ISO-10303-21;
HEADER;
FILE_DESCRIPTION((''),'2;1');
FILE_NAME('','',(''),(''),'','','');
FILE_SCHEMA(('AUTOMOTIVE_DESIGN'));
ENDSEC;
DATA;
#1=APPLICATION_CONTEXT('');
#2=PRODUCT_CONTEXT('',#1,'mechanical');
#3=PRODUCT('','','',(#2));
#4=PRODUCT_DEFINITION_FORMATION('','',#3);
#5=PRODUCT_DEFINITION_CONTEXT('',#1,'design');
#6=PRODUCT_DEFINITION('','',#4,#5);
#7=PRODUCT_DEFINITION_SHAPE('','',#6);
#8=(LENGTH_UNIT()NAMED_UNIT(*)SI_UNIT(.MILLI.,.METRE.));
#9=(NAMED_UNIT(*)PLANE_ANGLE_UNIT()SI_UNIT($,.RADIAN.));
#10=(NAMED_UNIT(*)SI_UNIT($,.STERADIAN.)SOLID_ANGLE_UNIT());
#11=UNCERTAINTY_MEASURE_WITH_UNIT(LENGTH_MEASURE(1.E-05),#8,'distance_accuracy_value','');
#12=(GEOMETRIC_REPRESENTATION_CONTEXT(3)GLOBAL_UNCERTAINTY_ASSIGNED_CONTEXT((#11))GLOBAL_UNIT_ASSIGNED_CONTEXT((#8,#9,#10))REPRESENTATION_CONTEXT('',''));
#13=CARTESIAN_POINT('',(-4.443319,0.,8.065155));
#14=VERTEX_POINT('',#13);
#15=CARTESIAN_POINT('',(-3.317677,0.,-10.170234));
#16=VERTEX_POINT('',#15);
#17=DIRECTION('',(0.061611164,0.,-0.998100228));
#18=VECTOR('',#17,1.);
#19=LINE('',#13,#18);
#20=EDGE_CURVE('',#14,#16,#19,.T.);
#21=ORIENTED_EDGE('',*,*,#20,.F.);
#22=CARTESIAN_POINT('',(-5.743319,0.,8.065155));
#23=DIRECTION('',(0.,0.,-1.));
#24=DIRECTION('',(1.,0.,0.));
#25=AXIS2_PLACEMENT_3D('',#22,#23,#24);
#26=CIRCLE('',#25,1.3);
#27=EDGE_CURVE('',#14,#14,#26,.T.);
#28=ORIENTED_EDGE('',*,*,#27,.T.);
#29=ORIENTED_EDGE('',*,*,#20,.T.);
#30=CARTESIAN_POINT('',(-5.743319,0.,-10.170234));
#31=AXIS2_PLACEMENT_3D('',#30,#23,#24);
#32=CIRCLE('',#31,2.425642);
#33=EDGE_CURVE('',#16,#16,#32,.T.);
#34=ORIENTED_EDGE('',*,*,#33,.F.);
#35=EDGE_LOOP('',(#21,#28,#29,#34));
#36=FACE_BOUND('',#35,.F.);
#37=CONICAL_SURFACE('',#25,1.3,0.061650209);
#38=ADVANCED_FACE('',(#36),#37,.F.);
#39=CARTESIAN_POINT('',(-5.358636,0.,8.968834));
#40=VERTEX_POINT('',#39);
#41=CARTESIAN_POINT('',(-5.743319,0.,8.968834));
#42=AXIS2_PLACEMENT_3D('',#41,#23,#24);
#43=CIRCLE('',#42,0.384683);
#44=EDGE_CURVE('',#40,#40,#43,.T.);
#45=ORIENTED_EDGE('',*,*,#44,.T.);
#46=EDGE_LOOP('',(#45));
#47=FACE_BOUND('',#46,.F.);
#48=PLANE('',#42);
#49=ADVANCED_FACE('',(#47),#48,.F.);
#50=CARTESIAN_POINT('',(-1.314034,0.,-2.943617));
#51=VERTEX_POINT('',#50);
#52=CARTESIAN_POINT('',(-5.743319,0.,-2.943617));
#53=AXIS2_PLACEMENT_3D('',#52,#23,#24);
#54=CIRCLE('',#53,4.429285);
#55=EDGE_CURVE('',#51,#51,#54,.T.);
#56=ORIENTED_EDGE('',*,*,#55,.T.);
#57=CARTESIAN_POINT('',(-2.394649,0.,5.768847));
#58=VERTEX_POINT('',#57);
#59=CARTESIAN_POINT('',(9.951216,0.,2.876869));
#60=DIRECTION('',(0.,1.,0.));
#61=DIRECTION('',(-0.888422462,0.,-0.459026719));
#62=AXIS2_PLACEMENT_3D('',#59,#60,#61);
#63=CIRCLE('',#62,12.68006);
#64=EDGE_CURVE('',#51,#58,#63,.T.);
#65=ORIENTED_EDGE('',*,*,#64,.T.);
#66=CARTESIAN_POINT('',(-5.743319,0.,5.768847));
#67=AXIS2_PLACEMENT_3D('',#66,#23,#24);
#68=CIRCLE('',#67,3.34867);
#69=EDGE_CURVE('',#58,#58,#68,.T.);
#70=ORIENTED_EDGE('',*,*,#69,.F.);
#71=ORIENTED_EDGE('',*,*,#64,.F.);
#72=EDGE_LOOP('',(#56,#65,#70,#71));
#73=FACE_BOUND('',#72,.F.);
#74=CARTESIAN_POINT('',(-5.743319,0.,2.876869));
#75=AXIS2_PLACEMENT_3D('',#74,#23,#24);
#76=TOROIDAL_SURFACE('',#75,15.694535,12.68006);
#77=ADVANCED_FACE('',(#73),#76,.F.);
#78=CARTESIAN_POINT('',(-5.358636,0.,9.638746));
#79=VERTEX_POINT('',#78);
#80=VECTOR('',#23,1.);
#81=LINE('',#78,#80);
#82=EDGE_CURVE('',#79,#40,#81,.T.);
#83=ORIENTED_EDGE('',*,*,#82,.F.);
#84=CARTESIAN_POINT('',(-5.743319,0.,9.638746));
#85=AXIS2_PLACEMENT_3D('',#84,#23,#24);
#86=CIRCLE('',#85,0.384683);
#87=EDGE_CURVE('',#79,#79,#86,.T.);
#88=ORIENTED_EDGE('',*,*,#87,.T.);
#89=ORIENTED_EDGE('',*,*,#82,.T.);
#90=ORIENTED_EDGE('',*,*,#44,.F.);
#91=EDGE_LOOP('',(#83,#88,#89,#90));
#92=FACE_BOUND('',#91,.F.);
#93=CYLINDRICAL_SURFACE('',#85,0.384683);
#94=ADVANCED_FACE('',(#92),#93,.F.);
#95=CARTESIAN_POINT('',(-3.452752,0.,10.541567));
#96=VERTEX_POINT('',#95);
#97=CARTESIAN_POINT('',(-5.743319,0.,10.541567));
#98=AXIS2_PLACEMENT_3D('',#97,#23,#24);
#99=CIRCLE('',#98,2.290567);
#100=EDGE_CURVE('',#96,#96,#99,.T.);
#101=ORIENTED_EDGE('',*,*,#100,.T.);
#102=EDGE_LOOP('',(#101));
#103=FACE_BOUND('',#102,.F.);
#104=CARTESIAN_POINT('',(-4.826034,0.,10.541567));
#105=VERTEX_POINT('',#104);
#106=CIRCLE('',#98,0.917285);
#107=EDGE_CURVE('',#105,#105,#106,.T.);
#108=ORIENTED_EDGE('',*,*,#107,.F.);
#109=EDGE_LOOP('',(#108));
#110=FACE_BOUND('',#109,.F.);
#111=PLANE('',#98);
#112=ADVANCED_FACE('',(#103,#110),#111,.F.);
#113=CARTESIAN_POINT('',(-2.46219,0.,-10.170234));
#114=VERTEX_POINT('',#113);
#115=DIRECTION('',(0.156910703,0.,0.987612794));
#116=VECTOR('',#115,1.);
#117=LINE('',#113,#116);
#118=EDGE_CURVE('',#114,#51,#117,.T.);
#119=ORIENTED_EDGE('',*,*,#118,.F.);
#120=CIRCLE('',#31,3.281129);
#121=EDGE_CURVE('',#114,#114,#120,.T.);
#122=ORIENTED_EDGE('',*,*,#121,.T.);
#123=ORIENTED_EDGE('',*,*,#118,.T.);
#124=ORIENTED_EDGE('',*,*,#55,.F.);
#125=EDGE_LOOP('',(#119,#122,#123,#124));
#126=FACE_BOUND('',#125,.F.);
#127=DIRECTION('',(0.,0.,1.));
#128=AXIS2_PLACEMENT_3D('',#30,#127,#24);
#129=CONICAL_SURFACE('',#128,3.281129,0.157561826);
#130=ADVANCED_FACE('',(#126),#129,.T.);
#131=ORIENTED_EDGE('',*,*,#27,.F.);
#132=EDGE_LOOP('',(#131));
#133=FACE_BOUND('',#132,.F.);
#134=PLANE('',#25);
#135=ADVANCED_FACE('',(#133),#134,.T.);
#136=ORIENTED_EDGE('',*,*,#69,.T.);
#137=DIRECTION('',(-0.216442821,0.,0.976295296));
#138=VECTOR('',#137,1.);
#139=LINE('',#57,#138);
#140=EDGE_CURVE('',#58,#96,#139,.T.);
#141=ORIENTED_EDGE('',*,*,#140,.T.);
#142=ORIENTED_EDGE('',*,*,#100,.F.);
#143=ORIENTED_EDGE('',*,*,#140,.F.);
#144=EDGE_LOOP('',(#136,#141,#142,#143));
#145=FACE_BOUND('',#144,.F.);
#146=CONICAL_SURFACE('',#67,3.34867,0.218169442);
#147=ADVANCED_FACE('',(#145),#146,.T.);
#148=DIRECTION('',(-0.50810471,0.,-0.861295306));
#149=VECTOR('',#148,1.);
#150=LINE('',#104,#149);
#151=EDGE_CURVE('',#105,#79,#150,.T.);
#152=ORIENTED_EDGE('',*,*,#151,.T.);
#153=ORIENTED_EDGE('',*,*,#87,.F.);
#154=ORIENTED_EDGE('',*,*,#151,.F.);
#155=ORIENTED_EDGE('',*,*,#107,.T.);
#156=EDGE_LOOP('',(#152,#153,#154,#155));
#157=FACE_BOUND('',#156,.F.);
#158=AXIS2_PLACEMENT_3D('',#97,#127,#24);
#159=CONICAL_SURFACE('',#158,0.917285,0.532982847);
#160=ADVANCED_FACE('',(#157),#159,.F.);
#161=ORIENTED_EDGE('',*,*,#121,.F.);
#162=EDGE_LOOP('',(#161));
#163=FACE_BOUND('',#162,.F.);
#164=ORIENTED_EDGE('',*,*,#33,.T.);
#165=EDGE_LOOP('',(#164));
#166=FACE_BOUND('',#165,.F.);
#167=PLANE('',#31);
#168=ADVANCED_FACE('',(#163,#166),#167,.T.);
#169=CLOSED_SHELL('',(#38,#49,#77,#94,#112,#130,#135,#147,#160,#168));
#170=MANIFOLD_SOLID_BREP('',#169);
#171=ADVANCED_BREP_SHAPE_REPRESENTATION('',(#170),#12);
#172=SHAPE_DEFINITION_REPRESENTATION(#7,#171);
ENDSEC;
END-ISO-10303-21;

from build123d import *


with BuildPart() as f1:
    # F0 (on Front) → F1 (revolve)
    with BuildSketch(Plane.XZ):
        with BuildLine():
            Line((-3.452752, 10.541567), (-4.826034, 10.541567))
            Line((-4.826034, 10.541567), (-5.358636, 9.638746))
            Line((-5.358636, 9.638746), (-5.358636, 8.968834))
            Line((-5.358636, 8.968834), (-5.743319, 8.968834))
            Line((-5.743319, 8.968834), (-5.743319, 8.065155))
            Line((-5.743319, 8.065155), (-4.443319, 8.065155))
            Line((-4.443319, 8.065155), (-3.317677, -10.170234))
            Line((-3.317677, -10.170234), (-2.46219, -10.170234))
            Line((-2.46219, -10.170234), (-1.314034, -2.943617))
            ThreePointArc((-1.314034, -2.943617), (-2.632422, 1.316109), (-2.394649, 5.768847))
            Line((-2.394649, 5.768847), (-3.452752, 10.541567))
        make_face()
    revolve(axis=Axis((-5.743319, 0, -0.092635), (0, 0, -1)))


solid = f1.part
